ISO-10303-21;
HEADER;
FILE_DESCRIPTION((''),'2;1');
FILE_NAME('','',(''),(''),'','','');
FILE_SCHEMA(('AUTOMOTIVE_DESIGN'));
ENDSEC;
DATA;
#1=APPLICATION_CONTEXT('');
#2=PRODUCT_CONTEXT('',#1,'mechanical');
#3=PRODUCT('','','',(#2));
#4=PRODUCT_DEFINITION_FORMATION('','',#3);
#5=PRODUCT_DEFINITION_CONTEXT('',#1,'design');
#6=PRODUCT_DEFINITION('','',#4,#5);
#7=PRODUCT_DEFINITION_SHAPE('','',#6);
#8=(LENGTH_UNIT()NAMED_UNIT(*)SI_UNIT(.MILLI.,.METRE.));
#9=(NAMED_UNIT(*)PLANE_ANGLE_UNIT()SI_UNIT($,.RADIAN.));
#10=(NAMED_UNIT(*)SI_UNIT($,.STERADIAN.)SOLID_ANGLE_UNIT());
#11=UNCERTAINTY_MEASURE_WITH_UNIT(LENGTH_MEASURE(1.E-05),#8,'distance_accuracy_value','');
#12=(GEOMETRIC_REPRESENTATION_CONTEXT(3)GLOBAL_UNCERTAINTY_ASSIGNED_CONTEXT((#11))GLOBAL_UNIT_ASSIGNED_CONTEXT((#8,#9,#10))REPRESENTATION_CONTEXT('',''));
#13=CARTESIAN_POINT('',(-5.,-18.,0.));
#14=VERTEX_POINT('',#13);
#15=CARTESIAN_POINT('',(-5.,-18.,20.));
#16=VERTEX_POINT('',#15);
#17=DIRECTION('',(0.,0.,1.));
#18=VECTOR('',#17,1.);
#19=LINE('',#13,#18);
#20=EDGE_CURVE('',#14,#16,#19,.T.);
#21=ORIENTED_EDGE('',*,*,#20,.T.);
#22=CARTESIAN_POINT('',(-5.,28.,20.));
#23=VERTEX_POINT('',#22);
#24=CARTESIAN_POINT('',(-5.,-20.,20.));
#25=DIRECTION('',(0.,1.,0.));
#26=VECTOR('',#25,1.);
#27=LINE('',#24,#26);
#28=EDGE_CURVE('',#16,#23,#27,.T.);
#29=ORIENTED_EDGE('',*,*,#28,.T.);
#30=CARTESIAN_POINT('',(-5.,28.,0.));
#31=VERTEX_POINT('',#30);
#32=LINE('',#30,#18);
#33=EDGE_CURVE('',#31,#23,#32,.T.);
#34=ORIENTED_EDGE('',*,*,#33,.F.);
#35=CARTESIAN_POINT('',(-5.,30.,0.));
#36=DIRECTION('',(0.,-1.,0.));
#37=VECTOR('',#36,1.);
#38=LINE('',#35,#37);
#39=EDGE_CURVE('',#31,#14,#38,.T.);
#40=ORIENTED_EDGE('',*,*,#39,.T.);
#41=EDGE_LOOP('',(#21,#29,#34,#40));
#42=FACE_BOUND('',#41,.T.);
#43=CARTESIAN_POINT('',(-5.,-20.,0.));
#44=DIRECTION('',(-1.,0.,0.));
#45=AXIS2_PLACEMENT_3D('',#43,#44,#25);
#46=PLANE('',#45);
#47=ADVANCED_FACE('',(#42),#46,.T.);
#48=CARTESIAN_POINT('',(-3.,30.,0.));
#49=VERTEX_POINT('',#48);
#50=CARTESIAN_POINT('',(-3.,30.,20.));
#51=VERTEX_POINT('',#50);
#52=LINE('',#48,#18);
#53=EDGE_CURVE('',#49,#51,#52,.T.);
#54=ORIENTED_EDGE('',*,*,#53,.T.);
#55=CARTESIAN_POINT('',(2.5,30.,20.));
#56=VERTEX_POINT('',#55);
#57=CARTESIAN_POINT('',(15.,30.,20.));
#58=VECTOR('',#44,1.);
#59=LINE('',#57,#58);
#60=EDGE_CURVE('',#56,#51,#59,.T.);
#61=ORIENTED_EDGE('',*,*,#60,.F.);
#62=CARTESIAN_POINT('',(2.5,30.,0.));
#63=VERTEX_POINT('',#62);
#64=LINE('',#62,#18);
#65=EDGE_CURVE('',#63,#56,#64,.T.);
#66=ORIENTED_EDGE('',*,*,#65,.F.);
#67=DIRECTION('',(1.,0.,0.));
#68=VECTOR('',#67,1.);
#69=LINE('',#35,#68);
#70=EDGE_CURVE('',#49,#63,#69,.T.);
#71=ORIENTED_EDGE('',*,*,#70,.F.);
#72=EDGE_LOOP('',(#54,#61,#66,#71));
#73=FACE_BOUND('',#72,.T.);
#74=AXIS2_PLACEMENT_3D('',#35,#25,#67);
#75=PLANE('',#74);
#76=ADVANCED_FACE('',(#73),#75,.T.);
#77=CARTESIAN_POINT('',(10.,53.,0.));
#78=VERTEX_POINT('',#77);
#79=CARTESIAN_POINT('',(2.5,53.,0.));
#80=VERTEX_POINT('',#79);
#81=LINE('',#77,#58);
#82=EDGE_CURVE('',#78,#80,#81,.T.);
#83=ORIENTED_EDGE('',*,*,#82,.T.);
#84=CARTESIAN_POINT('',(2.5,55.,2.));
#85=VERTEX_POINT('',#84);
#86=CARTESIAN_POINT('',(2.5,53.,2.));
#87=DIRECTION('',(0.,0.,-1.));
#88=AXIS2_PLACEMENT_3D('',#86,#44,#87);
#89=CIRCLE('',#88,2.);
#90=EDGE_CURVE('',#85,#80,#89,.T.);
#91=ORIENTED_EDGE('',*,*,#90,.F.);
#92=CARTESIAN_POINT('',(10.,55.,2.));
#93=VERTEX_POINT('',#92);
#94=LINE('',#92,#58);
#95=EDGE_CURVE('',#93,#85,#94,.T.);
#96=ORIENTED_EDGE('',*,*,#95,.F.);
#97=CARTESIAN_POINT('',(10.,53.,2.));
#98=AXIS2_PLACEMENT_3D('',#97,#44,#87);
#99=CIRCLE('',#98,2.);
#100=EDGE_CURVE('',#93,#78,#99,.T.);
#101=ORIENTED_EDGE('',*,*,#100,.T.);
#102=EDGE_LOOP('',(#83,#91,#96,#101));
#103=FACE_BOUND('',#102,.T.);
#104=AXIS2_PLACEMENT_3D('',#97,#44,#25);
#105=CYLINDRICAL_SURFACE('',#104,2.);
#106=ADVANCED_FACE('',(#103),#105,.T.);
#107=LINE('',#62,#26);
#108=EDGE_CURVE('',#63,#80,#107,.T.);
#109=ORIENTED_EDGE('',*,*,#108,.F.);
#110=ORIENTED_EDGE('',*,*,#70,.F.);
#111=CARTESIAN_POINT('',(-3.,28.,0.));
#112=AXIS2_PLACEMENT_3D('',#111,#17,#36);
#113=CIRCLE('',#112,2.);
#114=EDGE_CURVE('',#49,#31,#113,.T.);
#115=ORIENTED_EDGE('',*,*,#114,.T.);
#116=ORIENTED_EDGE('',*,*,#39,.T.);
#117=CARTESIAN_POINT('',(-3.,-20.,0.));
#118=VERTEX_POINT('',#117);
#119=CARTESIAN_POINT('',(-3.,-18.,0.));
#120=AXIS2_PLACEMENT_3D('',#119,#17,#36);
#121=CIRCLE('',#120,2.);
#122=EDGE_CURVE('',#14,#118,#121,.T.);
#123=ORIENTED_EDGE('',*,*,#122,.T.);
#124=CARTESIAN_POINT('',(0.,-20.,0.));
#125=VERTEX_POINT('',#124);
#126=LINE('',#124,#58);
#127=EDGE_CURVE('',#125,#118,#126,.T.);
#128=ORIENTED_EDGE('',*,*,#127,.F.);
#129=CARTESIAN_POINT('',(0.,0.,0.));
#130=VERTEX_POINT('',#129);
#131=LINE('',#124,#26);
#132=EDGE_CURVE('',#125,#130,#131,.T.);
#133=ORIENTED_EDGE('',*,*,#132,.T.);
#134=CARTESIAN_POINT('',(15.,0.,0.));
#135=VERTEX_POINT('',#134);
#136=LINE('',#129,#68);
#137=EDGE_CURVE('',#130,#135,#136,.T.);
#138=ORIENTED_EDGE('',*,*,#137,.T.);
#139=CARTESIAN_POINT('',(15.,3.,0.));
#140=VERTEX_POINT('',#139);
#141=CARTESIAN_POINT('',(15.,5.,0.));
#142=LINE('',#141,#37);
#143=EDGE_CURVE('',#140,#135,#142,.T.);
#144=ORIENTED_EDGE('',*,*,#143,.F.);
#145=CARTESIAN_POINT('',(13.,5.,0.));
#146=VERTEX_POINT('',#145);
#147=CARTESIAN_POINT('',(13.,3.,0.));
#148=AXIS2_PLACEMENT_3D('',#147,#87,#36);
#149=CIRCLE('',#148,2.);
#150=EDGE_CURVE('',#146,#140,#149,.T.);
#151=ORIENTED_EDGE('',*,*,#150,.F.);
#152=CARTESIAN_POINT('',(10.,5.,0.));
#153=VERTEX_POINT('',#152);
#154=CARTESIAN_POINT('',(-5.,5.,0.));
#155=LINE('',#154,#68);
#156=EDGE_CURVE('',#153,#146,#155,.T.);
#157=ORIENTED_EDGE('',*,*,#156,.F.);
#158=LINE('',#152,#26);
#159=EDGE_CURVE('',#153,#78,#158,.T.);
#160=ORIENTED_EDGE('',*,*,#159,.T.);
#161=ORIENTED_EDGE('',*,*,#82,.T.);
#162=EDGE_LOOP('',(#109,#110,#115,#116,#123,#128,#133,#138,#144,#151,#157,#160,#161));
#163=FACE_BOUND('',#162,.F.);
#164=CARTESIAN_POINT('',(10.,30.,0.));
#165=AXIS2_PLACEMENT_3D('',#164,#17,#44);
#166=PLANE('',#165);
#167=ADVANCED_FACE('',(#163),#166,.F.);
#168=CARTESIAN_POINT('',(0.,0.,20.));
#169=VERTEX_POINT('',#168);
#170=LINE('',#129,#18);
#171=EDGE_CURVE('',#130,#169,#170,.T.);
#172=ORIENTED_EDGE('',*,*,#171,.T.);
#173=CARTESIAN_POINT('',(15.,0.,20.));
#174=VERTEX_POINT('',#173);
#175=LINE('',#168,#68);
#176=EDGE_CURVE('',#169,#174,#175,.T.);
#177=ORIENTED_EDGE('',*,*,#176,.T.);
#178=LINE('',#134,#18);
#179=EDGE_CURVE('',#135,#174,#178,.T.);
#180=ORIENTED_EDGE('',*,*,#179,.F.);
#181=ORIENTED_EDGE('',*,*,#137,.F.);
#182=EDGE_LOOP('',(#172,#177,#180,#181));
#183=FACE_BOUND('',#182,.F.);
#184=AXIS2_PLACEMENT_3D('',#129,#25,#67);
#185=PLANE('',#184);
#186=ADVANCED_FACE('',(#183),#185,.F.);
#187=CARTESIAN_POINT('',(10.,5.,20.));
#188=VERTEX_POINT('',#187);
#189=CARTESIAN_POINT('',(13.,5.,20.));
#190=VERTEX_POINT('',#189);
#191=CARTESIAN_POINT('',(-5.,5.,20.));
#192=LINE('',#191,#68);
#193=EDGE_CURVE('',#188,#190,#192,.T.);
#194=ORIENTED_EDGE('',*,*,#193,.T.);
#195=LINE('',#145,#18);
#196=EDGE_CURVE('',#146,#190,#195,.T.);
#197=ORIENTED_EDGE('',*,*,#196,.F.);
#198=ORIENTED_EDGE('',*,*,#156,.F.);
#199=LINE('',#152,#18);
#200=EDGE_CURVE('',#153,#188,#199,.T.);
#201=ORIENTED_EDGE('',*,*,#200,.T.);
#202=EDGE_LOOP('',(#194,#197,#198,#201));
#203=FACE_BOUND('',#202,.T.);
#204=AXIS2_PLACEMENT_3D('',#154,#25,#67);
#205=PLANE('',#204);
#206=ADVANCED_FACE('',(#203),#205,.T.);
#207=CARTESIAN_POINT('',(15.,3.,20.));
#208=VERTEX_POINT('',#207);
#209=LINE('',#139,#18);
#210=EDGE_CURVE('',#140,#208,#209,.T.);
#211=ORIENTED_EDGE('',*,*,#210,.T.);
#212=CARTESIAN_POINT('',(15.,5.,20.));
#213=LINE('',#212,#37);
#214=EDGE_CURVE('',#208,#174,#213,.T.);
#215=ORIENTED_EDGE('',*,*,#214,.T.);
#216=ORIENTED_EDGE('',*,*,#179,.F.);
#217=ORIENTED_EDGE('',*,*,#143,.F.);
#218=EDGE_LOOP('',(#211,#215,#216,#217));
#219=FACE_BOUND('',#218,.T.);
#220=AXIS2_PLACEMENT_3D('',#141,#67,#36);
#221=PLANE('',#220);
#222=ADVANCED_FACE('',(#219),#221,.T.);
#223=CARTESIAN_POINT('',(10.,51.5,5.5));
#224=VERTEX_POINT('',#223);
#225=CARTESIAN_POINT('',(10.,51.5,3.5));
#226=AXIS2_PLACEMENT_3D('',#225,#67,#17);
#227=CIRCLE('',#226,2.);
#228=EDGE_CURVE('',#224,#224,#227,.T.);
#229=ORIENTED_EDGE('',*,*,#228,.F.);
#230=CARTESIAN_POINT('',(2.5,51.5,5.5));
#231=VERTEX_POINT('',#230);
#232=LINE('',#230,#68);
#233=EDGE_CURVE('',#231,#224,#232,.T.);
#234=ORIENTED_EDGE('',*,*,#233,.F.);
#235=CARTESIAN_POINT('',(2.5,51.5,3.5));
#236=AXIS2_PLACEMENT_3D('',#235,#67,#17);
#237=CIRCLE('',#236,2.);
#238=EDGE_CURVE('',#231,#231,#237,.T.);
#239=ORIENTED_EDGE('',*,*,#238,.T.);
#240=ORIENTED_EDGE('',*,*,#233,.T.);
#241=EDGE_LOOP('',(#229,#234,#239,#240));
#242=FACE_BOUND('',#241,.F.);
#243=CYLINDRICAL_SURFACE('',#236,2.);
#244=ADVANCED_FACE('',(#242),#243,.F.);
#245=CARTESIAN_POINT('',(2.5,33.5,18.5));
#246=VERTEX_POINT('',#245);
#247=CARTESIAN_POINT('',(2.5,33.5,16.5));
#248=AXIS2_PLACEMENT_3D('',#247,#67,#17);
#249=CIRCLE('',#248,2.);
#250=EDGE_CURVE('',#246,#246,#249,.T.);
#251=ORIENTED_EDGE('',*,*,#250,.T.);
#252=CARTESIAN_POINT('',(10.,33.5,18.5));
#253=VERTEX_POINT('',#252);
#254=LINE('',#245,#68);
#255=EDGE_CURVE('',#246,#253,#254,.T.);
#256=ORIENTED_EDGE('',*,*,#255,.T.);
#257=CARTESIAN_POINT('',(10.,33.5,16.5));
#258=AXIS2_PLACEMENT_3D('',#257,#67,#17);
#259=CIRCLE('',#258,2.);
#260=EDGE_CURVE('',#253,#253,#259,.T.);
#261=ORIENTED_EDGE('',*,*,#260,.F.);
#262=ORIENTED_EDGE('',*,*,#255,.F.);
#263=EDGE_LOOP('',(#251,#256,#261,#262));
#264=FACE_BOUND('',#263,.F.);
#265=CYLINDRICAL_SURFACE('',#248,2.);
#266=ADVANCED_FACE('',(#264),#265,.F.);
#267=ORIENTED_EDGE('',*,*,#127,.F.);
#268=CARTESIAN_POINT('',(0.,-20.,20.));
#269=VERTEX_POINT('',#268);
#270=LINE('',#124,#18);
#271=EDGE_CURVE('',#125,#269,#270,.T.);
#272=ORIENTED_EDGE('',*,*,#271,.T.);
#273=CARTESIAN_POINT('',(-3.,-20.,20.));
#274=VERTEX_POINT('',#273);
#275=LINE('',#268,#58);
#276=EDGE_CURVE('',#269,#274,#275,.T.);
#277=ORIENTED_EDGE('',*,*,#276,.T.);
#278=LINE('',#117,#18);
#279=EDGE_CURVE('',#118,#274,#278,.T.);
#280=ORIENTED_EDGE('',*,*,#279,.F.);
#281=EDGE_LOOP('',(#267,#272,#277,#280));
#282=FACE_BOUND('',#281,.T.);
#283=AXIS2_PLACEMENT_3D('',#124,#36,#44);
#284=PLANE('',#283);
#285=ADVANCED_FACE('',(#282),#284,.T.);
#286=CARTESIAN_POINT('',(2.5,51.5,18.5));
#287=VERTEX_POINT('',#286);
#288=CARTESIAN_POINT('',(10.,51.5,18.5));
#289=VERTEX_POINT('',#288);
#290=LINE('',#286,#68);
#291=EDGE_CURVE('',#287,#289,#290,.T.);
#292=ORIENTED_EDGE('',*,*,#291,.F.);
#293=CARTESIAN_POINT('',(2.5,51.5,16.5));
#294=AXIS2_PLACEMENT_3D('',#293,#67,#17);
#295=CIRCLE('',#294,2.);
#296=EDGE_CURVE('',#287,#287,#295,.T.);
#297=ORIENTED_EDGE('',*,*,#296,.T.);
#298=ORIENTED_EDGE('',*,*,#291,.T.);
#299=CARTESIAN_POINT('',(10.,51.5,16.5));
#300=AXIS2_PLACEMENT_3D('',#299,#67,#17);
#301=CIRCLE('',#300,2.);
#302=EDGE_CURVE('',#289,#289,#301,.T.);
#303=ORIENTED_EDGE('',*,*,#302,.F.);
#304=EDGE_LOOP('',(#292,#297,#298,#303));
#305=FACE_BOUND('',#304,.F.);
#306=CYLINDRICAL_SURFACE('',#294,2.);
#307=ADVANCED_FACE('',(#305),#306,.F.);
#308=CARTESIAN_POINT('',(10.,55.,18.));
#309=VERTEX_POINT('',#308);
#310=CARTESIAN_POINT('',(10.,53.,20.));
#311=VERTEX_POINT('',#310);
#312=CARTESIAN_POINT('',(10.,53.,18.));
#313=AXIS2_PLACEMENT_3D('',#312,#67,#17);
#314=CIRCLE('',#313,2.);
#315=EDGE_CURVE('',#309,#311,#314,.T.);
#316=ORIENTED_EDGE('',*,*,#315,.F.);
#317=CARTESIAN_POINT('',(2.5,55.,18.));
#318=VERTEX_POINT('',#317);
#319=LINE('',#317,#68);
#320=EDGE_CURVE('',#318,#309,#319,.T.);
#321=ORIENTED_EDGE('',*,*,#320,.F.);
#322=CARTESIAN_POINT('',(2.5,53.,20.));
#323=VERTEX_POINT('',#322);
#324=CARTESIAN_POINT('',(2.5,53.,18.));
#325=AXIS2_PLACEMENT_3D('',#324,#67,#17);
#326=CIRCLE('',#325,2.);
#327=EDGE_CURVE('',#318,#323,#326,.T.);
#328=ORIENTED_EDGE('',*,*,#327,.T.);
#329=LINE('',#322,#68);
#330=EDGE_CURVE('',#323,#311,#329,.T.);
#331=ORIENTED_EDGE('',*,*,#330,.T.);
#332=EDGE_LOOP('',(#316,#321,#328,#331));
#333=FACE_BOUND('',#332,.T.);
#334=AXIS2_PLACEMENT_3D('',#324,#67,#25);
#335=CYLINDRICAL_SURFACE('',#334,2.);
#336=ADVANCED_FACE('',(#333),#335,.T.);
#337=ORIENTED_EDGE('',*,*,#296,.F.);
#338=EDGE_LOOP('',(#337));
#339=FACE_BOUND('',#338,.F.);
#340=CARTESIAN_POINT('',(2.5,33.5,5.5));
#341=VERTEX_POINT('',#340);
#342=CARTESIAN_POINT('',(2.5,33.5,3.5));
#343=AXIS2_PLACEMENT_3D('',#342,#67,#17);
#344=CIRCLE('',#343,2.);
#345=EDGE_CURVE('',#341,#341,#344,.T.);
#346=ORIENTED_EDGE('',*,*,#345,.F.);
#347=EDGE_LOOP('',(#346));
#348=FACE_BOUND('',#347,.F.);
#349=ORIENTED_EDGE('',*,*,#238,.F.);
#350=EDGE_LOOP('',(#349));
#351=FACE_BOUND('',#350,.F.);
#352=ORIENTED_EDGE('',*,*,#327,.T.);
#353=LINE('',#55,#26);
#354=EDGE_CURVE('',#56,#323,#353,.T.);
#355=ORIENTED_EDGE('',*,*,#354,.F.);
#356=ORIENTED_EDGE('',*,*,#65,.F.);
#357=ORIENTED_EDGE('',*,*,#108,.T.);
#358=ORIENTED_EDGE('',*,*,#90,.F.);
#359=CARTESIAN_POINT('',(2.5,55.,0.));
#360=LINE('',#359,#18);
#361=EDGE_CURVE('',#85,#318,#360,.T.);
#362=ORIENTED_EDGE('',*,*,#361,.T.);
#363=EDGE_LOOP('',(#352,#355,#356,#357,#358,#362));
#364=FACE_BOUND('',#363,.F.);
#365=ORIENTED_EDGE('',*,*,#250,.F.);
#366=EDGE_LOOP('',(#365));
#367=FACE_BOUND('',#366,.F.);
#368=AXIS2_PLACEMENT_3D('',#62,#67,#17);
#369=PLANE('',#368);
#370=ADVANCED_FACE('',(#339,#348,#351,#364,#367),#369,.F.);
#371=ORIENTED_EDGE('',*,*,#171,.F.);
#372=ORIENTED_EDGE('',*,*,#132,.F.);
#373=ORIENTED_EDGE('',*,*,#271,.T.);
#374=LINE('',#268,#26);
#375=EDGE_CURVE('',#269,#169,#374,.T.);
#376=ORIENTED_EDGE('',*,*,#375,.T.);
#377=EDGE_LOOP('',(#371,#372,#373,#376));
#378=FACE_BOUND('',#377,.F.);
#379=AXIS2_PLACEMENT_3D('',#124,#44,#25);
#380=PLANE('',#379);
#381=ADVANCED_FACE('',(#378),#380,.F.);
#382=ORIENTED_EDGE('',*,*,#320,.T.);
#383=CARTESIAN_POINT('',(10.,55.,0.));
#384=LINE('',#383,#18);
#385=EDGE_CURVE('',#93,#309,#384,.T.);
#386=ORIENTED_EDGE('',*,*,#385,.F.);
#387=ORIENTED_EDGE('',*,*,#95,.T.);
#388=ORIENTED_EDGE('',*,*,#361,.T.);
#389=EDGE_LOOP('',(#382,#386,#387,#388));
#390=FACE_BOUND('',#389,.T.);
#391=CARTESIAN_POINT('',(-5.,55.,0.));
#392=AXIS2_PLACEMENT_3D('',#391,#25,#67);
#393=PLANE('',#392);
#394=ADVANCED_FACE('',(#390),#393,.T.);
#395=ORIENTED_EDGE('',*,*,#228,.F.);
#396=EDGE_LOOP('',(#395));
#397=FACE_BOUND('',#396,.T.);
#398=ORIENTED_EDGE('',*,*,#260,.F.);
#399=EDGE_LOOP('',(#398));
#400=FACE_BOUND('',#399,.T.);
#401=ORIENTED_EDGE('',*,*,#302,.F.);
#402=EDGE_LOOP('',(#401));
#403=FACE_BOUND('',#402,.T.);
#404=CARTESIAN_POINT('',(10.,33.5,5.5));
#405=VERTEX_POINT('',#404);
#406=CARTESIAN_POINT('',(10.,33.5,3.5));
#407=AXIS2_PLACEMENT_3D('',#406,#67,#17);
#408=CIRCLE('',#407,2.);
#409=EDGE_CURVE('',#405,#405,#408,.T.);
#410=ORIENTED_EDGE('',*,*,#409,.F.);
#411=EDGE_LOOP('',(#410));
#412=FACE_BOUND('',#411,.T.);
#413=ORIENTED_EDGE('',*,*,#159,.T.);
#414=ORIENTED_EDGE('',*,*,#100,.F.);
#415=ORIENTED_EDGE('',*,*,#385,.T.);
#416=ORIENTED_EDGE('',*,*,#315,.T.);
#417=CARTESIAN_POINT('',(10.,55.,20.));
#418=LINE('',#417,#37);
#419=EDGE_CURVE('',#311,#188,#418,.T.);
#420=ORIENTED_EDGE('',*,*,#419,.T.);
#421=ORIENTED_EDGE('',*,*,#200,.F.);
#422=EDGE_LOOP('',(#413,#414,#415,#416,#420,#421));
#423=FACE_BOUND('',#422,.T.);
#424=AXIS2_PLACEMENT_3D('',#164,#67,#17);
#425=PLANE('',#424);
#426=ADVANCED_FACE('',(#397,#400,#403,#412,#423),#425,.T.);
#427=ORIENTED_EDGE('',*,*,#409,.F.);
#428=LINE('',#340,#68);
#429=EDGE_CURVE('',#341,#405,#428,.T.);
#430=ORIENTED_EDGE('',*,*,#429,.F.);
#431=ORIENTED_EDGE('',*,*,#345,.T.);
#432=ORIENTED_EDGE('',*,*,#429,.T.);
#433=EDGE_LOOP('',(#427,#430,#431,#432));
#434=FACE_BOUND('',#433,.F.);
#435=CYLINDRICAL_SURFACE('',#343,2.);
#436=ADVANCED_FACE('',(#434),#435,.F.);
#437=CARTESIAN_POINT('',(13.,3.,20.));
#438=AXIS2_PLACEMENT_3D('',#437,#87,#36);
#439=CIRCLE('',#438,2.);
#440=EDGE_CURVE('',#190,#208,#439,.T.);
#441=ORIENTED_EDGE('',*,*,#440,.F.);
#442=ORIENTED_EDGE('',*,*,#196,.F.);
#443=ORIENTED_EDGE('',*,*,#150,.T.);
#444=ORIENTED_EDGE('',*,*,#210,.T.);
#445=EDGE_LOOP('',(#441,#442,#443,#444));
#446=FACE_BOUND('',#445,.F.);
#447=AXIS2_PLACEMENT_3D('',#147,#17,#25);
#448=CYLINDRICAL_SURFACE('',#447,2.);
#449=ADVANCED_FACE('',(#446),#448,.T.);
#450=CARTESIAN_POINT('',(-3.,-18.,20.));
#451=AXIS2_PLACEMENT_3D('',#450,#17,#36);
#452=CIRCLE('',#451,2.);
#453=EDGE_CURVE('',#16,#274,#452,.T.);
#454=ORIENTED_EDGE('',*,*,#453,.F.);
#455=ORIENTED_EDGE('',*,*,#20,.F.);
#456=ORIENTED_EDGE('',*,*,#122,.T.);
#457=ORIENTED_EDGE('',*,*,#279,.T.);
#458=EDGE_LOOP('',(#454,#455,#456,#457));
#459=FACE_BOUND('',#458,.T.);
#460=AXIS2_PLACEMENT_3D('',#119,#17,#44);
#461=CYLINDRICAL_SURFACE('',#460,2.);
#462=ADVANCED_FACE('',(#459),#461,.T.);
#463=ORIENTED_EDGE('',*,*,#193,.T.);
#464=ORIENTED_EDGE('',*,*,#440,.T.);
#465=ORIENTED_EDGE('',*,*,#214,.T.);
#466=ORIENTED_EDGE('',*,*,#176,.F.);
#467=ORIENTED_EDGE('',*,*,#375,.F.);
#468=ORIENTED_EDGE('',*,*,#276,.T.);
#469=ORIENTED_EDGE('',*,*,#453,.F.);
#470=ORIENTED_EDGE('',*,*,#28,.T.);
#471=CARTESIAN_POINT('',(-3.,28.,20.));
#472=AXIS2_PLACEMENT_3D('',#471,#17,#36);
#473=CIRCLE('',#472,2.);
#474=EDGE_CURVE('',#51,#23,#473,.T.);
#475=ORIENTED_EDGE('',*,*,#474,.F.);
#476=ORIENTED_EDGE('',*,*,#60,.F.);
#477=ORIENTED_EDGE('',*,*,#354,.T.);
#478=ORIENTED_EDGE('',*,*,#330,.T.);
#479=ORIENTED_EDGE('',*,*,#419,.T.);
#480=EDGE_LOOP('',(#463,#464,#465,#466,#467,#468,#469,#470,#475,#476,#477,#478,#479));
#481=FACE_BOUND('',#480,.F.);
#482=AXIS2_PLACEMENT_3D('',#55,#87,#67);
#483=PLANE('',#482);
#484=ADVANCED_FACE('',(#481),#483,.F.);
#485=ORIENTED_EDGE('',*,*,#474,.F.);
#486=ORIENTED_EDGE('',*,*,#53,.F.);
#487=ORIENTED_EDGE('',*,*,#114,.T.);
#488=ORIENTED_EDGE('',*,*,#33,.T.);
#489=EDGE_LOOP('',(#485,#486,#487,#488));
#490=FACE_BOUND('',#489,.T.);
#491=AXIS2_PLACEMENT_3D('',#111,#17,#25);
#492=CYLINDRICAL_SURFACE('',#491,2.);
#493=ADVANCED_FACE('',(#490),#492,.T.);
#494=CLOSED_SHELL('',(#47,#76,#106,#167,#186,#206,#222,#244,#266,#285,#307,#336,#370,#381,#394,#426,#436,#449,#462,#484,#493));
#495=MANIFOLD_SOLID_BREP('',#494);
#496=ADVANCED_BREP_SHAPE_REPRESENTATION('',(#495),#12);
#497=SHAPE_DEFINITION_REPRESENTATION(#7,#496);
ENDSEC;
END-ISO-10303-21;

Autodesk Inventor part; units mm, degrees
ref_plane "YZ Plane" through (0, 0, 0) normal (1, 0, 0) x (0, 1, 0)
ref_plane "XZ Plane" through (0, 0, 0) normal (0, 1, 0) x (-1, 0, 0)
ref_plane "XY Plane" through (0, 0, 0) normal (0, 0, 1) x (1, 0, 0)
sketch "Sketch1" plane through (0, 0, 0) normal (0, 0, 1) x (1, 0, 0)
  line L0 (0, -20) -> (0, 0)
  line L1 (0, 0) -> (15, 0)
  line L2 (-5, -20) -> (-5, 5)
  line L3 (-5, 5) -> (15, 5)
  line L4 (0, -20) -> (-5, -20)
  line L5 (15, 5) -> (15, 0)
  dimension "d0" = 15
  dimension "d1" = 20
  dimension "d2" = 5
extrude "Extrusion1" add sketch "Sketch1" along normal blind 20
sketch "Sketch2" plane through (-5, 5, 0) normal (0, 1, 0) x (1, 0, 0)
  line L0 (0, 0) -> (20, 0) projected
  line L1 (20, -20) -> (0, -20) projected
  line L2 (0, 0) -> (0, -20)
  line L3 (15, 0) -> (15, -20)
  line L4 (0, 0) -> (15, 0)
  line L5 (20, 0) -> (5, 0) projected
  line L6 (15, -20) -> (0, -20)
  line L7 (0, 0) -> (0, -20) projected
  dimension "d7" = 0
  dimension "d8" = 15
extrude "Extrusion2" add sketch "Sketch2" along normal blind 25
sketch "Sketch3" plane through (-5, 30, 0) normal (0, 1, 0) x (1, 0, 0)
  line L0 (15, 0) -> (15, -20) projected
  line L1 (15, 0) -> (7.5, 0)
  line L2 (7.5, 0) -> (7.5, -20)
  line L3 (7.5, -20) -> (15, -20)
  line L4 (15, -20) -> (15, 0)
  point P0 (5, 0)
  dimension "d11" = 7.5
  dimension "d12" = 20
extrude "Extrusion3" add sketch "Sketch3" along normal blind 25
sketch "Sketch4" plane through (2.5, 30, 0) normal (-1, 0, 0) x (0, 0, 1)
  line L0 (0, 25) -> (20, 25) projected
  line L1 (10, 25) -> (10, 0)
  line L2 (20, 0) -> (0, 0) projected
  line L3 (0, 0) -> (0, 25) projected
  line L4 (0, 12.5) -> (20, 12.5)
  line L5 (20, -25) -> (20, 25) projected
  circle A0 centre (3.5, 21.5) radius 2
  circle A1 centre (16.5, 21.5) radius 2
  circle A2 centre (3.5, 3.5) radius 2
  circle A3 centre (16.5, 3.5) radius 2
  point P0 (0, -30)
  dimension "d15" = 4
  dimension "d16" = 3.5
  dimension "d17" = 3.5
hole "Hole1" at (2.5, 51.5, 3.5) at (2.5, 51.5, 16.5) at (2.5, 33.5, 16.5) at (2.5, 33.5, 3.5) direction (1, 0, 0) diameter 4 end through all
fillet "Fillet1" radius 2 5 edges at (-5, 30, 10) (6.25, 55, 0) (6.25, 55, 20) (15, 5, 10) (-5, -20, 10)
properties part number "Esteira - Carro"
